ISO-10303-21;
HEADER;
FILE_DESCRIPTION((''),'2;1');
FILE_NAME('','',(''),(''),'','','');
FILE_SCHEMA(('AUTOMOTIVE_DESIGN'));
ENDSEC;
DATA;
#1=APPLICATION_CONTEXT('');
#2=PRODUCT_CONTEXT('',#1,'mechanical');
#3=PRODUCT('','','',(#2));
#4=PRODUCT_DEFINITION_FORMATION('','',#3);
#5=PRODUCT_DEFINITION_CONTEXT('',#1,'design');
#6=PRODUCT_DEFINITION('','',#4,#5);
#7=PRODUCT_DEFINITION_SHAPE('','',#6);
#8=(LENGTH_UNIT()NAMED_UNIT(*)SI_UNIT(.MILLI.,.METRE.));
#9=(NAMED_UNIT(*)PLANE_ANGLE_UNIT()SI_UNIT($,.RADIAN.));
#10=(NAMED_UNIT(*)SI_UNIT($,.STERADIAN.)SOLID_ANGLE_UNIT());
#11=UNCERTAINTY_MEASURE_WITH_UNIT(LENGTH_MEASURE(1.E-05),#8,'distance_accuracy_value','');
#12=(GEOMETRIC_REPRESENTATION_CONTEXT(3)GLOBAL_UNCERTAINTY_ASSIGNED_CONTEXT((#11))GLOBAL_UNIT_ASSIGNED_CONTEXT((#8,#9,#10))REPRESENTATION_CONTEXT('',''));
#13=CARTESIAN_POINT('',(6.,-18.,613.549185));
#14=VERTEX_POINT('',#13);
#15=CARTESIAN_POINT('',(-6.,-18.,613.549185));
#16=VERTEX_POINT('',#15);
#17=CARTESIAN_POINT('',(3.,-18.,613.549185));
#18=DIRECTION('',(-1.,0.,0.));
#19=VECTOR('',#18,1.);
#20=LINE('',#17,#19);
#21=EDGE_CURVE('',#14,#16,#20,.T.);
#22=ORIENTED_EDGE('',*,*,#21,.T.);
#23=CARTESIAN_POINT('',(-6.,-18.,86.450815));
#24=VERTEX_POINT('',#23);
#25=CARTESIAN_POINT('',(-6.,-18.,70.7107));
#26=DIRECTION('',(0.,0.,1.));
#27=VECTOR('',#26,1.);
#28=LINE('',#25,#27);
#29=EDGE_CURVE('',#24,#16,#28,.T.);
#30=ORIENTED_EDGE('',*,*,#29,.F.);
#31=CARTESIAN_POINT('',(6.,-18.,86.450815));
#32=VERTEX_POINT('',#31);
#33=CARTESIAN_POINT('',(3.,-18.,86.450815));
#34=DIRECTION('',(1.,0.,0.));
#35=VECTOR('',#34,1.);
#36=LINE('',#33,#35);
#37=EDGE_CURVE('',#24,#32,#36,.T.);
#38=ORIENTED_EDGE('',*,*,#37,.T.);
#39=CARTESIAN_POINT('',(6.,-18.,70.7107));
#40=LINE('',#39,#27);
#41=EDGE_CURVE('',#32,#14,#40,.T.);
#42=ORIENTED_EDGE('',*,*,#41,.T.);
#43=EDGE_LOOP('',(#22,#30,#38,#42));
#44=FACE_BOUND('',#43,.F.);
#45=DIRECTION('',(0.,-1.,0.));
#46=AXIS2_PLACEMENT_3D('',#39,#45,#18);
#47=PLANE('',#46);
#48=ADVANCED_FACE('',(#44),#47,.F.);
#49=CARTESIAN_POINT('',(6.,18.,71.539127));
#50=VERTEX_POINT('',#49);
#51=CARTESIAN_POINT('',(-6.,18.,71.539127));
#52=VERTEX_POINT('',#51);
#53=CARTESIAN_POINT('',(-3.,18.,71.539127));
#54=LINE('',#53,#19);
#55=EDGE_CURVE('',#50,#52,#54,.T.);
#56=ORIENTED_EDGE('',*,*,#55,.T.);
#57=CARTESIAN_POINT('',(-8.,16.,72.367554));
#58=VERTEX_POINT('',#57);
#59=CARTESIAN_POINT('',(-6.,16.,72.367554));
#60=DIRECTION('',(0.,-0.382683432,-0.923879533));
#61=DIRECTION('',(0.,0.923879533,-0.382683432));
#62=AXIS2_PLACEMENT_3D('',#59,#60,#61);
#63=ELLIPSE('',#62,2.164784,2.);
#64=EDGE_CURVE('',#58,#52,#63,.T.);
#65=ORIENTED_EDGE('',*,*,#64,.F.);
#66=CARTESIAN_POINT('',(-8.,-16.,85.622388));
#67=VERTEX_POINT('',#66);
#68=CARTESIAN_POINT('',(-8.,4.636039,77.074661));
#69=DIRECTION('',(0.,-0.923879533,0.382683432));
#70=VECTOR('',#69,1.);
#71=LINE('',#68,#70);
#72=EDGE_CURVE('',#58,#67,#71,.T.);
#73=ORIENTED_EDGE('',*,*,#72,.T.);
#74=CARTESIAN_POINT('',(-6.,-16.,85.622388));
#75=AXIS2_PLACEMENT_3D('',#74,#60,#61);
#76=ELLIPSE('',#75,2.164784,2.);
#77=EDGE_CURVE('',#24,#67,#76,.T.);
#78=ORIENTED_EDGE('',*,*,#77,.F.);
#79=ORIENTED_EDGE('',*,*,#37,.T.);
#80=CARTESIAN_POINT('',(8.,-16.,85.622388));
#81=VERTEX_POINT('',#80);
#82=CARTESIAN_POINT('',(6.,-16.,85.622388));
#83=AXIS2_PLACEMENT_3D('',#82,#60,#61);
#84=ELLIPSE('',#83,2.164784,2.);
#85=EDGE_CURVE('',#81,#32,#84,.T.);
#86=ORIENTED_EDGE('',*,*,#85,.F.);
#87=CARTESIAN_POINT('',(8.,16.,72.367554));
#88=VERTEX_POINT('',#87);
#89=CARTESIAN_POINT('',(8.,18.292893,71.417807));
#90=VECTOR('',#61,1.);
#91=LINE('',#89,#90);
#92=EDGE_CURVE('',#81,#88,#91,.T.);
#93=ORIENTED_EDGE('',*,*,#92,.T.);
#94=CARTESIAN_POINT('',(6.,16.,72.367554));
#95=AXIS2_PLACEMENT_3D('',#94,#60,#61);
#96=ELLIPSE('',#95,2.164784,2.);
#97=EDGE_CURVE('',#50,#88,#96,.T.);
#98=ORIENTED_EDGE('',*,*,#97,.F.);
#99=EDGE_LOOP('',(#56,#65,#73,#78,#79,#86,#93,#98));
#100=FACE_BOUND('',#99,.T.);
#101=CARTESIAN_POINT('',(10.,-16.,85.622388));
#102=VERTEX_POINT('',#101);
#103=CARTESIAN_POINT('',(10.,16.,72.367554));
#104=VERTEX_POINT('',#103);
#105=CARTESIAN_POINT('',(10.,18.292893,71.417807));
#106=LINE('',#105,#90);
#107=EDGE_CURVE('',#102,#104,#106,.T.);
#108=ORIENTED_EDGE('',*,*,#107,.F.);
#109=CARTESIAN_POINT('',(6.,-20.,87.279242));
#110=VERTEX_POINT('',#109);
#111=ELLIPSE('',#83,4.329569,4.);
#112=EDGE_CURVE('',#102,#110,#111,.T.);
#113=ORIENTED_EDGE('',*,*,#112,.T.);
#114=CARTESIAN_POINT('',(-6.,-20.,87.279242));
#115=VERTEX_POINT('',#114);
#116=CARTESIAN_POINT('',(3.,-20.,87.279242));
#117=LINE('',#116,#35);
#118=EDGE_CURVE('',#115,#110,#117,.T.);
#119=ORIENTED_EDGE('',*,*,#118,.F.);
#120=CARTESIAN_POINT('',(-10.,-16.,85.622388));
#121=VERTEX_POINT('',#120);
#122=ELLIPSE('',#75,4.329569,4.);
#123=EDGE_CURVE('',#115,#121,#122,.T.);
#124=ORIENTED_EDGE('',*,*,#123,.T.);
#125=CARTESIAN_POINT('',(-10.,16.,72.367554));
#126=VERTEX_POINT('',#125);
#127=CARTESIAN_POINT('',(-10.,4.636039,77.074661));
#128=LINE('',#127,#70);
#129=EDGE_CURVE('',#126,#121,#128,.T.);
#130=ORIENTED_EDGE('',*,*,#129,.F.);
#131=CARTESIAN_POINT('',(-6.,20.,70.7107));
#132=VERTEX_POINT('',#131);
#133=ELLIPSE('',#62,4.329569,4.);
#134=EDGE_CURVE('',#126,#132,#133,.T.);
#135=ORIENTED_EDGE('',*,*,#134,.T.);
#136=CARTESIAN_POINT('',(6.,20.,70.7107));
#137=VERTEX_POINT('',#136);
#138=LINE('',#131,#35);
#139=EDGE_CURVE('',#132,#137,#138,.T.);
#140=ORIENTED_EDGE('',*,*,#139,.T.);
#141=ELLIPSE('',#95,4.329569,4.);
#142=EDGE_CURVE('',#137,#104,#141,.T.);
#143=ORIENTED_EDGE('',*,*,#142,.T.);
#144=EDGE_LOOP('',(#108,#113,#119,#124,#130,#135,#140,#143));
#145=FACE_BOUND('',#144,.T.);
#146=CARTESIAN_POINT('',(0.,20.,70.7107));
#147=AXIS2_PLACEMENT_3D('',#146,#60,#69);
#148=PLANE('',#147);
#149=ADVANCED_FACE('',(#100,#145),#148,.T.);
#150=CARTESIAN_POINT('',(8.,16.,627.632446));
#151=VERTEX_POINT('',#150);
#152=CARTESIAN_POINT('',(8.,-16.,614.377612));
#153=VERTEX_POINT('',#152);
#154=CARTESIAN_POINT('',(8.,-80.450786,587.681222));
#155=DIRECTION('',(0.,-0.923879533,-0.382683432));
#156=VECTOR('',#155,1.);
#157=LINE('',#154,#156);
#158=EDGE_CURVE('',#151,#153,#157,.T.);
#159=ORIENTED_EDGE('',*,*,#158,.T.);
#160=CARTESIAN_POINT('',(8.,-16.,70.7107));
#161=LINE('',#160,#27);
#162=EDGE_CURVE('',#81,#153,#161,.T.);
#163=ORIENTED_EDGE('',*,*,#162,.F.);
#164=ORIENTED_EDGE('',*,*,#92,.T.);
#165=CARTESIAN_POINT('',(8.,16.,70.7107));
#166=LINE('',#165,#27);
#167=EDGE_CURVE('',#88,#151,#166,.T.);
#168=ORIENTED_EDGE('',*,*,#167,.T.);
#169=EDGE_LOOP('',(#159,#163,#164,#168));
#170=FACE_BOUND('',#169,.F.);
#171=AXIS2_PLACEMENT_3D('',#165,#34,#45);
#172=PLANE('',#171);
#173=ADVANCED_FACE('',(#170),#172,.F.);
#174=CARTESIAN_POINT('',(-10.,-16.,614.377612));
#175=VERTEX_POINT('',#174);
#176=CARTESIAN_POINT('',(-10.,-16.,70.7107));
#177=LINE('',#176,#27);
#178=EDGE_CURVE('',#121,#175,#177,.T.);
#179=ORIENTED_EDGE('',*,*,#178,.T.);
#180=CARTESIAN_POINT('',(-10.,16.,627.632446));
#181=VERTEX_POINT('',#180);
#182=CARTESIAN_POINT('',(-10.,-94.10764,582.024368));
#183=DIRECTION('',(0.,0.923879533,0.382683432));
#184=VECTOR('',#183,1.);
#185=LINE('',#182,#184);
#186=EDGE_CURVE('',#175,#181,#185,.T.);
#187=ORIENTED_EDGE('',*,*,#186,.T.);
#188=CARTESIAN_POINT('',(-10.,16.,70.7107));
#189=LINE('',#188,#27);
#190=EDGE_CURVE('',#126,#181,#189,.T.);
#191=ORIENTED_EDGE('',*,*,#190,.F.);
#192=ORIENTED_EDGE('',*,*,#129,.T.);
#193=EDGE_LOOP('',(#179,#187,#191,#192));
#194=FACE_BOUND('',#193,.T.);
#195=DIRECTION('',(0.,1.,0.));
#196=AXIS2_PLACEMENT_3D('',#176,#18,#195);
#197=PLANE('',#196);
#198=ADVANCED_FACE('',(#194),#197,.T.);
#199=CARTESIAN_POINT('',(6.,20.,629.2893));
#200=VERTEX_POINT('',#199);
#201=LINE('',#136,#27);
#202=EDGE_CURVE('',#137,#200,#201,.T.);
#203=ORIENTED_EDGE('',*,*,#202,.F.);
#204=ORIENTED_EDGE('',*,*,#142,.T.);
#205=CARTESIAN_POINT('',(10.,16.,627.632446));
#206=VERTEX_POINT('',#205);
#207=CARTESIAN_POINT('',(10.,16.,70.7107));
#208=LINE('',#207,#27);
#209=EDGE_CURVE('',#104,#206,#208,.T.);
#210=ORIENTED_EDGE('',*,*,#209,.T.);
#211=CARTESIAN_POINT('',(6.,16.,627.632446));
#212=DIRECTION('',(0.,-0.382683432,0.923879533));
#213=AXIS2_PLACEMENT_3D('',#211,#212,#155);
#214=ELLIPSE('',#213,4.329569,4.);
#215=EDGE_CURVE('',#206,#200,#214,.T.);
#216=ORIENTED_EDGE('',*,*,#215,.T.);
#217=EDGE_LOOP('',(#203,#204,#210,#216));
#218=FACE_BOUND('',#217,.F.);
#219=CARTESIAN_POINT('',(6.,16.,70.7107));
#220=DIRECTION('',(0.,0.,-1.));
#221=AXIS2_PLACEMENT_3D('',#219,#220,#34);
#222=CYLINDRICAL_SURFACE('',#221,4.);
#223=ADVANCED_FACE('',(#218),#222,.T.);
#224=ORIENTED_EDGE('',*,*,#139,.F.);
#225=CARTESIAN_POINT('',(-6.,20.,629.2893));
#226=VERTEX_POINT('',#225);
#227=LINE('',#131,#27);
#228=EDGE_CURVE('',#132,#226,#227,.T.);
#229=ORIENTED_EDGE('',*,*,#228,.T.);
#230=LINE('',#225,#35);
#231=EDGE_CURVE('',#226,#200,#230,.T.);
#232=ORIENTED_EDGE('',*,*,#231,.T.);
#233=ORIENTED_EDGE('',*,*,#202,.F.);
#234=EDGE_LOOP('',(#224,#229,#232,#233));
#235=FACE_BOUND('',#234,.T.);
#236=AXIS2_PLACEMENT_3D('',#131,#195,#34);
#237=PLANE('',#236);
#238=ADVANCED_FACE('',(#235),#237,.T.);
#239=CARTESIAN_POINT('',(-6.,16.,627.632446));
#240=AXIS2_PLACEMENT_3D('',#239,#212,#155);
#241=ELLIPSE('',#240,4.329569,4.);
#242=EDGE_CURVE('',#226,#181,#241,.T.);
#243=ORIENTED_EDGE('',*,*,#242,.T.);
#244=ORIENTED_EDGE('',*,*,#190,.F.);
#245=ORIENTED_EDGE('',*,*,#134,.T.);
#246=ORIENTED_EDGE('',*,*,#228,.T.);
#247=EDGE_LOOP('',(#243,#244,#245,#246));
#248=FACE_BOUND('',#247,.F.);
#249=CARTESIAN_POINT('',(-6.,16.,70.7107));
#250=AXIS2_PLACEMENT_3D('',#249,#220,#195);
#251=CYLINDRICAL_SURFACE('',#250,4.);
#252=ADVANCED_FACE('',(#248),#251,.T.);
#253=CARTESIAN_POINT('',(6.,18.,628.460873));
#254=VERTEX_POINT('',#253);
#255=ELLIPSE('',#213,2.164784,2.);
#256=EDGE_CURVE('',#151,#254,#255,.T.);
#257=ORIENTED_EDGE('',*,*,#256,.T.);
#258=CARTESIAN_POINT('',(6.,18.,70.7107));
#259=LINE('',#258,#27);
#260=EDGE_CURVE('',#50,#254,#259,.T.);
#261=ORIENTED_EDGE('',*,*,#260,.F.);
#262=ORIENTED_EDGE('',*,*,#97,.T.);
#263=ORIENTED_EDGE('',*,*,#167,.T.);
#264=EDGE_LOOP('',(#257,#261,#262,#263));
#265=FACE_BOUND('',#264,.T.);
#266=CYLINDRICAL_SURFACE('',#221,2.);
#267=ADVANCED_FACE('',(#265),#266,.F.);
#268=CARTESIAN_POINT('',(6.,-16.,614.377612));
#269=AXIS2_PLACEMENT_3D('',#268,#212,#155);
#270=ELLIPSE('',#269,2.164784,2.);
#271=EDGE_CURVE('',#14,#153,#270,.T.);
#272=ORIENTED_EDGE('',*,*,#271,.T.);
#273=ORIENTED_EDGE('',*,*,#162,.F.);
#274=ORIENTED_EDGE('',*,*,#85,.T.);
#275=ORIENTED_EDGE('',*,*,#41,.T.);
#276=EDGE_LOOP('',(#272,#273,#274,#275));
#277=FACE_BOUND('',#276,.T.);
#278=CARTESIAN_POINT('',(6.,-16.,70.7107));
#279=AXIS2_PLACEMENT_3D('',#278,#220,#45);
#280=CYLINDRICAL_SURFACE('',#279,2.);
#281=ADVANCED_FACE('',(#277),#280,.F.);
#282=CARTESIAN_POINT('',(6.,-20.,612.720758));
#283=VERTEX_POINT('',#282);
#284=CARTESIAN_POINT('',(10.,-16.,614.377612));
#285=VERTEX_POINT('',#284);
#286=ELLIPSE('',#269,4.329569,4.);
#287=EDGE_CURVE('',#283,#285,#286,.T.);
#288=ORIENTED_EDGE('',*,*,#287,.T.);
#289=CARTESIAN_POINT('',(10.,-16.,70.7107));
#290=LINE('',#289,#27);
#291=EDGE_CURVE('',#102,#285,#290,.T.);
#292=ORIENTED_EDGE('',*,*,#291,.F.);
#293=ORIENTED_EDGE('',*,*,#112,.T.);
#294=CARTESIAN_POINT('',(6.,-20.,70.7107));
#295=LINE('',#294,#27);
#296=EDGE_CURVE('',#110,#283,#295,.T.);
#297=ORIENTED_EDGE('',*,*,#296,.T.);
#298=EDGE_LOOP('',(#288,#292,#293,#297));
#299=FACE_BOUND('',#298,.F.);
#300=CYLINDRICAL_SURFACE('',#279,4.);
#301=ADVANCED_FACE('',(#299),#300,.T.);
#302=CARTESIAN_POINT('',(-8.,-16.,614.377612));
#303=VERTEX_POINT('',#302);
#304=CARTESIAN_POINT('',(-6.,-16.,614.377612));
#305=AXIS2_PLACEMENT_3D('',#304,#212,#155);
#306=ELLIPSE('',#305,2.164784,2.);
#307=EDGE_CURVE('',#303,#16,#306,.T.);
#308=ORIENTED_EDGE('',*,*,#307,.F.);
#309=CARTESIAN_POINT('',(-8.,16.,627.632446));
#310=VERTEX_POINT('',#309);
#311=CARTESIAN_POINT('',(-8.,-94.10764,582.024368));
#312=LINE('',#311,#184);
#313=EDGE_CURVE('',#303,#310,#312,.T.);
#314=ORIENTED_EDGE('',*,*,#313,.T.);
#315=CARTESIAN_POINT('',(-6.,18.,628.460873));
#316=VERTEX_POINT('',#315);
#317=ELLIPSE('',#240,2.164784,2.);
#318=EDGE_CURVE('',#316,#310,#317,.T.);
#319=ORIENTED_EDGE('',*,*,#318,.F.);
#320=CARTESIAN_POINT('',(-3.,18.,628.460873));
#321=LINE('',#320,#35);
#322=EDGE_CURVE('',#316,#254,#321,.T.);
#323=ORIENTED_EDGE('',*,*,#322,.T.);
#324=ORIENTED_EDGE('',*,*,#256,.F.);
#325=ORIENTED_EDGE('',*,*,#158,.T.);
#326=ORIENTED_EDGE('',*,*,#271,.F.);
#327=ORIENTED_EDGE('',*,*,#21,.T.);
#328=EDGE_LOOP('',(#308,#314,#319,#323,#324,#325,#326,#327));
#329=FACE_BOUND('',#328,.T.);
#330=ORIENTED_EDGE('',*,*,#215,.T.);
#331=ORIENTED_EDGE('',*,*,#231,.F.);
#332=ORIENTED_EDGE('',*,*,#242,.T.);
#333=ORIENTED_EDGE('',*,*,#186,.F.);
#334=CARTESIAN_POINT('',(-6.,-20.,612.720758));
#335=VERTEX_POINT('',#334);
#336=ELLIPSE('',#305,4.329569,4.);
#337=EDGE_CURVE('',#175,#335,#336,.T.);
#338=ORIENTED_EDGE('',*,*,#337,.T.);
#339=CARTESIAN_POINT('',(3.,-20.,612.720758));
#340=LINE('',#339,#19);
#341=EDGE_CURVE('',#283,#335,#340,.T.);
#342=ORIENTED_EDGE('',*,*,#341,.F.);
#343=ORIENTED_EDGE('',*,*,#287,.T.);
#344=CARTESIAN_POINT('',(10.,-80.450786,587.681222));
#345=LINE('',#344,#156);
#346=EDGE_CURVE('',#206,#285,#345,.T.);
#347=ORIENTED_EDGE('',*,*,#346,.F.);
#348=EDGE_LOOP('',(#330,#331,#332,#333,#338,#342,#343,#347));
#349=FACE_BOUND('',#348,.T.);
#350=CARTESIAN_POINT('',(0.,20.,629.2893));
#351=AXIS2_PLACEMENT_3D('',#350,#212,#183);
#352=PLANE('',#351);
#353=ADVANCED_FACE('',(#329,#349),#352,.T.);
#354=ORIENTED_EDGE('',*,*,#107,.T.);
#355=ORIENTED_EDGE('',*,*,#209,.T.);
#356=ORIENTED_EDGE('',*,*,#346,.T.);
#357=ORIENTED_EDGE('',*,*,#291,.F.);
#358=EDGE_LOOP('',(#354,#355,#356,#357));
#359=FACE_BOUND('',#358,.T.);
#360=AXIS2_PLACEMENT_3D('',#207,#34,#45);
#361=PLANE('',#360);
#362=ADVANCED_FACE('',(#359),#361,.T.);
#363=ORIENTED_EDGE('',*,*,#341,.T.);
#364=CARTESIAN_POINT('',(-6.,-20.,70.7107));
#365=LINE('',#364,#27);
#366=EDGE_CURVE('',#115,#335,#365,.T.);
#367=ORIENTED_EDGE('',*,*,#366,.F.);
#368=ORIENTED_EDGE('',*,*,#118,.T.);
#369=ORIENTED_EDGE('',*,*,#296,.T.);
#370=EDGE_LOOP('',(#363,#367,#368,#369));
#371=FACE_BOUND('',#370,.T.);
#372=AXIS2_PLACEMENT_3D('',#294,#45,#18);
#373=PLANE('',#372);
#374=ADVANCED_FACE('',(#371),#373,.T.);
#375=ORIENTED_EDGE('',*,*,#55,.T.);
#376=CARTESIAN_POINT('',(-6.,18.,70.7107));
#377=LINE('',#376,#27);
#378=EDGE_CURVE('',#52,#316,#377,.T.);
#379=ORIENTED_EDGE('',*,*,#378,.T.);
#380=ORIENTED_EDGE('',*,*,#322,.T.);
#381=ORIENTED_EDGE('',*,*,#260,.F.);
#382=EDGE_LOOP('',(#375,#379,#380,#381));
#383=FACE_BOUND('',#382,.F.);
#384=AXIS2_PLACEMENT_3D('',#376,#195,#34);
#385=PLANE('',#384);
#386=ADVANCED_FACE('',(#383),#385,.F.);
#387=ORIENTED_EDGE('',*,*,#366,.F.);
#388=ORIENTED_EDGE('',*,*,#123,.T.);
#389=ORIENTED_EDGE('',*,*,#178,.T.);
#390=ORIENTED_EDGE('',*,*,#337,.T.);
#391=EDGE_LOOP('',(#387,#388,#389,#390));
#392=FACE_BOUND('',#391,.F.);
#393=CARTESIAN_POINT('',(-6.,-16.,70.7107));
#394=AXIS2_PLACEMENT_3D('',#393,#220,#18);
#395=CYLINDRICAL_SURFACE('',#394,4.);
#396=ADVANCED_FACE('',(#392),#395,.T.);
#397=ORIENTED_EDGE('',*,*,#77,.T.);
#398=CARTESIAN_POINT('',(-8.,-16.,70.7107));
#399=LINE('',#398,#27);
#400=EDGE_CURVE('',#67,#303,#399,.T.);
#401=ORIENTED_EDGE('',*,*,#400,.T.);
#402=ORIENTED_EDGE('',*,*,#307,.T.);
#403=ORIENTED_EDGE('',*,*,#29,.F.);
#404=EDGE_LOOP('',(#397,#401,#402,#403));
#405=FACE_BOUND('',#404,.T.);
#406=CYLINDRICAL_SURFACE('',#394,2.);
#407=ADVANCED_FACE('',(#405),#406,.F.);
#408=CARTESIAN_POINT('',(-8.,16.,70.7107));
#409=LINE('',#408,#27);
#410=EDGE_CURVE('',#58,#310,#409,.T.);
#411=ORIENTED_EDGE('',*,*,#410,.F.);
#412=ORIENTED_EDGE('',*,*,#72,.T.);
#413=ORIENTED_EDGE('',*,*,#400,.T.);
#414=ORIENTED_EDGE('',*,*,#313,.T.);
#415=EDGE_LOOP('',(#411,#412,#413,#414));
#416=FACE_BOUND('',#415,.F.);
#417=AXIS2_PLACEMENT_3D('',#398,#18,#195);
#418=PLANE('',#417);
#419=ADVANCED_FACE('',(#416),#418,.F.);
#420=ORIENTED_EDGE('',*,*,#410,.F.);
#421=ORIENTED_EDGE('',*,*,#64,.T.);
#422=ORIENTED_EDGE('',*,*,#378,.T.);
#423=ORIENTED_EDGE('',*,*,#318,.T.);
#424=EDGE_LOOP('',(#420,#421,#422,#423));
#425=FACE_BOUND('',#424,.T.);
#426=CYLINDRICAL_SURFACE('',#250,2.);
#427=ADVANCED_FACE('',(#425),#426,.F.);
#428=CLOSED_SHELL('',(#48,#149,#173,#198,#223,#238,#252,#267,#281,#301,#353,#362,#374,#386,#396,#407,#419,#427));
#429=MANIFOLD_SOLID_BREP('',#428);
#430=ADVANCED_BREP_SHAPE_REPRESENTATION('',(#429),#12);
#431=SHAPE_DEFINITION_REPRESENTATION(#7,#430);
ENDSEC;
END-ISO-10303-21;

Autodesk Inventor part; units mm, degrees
ref_plane "Start Plane" through (0, 0, 70.7107) normal (0, 0, 1) x (1, 0, 0)
ref_plane "End Plane" through (0, 0, 629.2893) normal (0, 0, 1) x (1, 0, 0)
sketch "Sketch" plane through (0, 0, 0) normal (0, 0, 1) x (1, 0, 0)
  line L0 (-10, -16) -> (-10, 16)
  line L1 (-6, 20) -> (6, 20)
  line L2 (10, 16) -> (10, -16)
  line L3 (6, -20) -> (-6, -20)
  arc A0 (-10, -16) -> (-6, -20) centre (-6, -16) ccw
  arc A1 (10, 16) -> (6, 20) centre (6, 16) ccw
  arc A2 (-6, 20) -> (-10, 16) centre (-6, 16) ccw
  arc A3 (6, -20) -> (10, -16) centre (6, -16) ccw
  arc A4 (-6, 18) -> (-8, 16) centre (-6, 16) ccw
  line L4 (-6, 18) -> (6, 18)
  arc A5 (8, 16) -> (6, 18) centre (6, 16) ccw
  line L5 (8, 16) -> (8, -16)
  arc A6 (6, -18) -> (8, -16) centre (6, -16) ccw
  line L6 (6, -18) -> (-6, -18)
  arc A7 (-8, -16) -> (-6, -18) centre (-6, -16) ccw
  line L7 (-8, -16) -> (-8, 16)
  line L8 (0, 29.1598) -> (0, -29.1598) construction
  line L9 (-15.1598, 0) -> (15.1598, 0) construction
  dimension "d7" = 4
  dimension "d9" = 20
  dimension "d11" = 40
  dimension "d12" = 2
  dimension "d15" = 10
  dimension "d16" = 20
extrude "Body" add sketch "Sketch" along normal up to surface (558.5786 mm away) from surface at 70.7107
sketch "Sketch3" plane through (0, 0, 0) normal (0, 0, 1) x (1, 0, 0)
  line L0 (0, 0) -> (10, 0)
ref_plane "Work Plane3" through (0, 0, 0) normal (0, -1, 0) x (1, 0, 0)
ref_plane "Work Plane4" through (0, 20, 70.7107) normal (0, -0.3827, -0.9239) x (1, 0, 0)
split "Split1" plane through (0, 20, 70.7107) removes the side toward (0, -0.3827, -0.9239)
ref_plane "Work Plane5" through (0, 20, 629.2893) normal (0, -0.3827, 0.9239) x (1, 0, 0)
split "Split2" plane through (0, 20, 629.2893) removes the side toward (0, -0.3827, 0.9239)
sketch "Sketch4" plane through (0, 0, 0) normal (0, -1, 0) x (1, 0, 0)
  line L0 (-2, 70.7107) -> (12, 70.7107) projected
  line L1 (-2, 629.2893) -> (12, 629.2893) projected
  dimension "d18" = 558.5786
equation "\"d7\" = G_IR"
equation "\"d9\" = G_W"
equation "\"d11\" = G_H"
equation "\"d12\" = G_T"
equation "\"d15\" = 0.5 * d9"
equation "\"d16\" = 0.5 * d11"
equation "\"d3\" = G_L"
equation "\"G_W\" = 20"
equation "\"G_H\" = 40"
equation "\"G_T\" = 2"
equation "\"G_IR\" = 4"
equation "\"G_L\" = d18"
equation "\"G_OFFSET_START\" = -70.71068"
equation "\"G_OFFSET_END\" = -70.71068"
equation "\"d13\" = -G_OFFSET_START"
equation "\"d14\" = G_OFFSET_END + B_L"
equation "\"B_L\" = 700"
properties part number "ISO 4019 - 40x20x2 - 558,58" material "Steel, Mild"
